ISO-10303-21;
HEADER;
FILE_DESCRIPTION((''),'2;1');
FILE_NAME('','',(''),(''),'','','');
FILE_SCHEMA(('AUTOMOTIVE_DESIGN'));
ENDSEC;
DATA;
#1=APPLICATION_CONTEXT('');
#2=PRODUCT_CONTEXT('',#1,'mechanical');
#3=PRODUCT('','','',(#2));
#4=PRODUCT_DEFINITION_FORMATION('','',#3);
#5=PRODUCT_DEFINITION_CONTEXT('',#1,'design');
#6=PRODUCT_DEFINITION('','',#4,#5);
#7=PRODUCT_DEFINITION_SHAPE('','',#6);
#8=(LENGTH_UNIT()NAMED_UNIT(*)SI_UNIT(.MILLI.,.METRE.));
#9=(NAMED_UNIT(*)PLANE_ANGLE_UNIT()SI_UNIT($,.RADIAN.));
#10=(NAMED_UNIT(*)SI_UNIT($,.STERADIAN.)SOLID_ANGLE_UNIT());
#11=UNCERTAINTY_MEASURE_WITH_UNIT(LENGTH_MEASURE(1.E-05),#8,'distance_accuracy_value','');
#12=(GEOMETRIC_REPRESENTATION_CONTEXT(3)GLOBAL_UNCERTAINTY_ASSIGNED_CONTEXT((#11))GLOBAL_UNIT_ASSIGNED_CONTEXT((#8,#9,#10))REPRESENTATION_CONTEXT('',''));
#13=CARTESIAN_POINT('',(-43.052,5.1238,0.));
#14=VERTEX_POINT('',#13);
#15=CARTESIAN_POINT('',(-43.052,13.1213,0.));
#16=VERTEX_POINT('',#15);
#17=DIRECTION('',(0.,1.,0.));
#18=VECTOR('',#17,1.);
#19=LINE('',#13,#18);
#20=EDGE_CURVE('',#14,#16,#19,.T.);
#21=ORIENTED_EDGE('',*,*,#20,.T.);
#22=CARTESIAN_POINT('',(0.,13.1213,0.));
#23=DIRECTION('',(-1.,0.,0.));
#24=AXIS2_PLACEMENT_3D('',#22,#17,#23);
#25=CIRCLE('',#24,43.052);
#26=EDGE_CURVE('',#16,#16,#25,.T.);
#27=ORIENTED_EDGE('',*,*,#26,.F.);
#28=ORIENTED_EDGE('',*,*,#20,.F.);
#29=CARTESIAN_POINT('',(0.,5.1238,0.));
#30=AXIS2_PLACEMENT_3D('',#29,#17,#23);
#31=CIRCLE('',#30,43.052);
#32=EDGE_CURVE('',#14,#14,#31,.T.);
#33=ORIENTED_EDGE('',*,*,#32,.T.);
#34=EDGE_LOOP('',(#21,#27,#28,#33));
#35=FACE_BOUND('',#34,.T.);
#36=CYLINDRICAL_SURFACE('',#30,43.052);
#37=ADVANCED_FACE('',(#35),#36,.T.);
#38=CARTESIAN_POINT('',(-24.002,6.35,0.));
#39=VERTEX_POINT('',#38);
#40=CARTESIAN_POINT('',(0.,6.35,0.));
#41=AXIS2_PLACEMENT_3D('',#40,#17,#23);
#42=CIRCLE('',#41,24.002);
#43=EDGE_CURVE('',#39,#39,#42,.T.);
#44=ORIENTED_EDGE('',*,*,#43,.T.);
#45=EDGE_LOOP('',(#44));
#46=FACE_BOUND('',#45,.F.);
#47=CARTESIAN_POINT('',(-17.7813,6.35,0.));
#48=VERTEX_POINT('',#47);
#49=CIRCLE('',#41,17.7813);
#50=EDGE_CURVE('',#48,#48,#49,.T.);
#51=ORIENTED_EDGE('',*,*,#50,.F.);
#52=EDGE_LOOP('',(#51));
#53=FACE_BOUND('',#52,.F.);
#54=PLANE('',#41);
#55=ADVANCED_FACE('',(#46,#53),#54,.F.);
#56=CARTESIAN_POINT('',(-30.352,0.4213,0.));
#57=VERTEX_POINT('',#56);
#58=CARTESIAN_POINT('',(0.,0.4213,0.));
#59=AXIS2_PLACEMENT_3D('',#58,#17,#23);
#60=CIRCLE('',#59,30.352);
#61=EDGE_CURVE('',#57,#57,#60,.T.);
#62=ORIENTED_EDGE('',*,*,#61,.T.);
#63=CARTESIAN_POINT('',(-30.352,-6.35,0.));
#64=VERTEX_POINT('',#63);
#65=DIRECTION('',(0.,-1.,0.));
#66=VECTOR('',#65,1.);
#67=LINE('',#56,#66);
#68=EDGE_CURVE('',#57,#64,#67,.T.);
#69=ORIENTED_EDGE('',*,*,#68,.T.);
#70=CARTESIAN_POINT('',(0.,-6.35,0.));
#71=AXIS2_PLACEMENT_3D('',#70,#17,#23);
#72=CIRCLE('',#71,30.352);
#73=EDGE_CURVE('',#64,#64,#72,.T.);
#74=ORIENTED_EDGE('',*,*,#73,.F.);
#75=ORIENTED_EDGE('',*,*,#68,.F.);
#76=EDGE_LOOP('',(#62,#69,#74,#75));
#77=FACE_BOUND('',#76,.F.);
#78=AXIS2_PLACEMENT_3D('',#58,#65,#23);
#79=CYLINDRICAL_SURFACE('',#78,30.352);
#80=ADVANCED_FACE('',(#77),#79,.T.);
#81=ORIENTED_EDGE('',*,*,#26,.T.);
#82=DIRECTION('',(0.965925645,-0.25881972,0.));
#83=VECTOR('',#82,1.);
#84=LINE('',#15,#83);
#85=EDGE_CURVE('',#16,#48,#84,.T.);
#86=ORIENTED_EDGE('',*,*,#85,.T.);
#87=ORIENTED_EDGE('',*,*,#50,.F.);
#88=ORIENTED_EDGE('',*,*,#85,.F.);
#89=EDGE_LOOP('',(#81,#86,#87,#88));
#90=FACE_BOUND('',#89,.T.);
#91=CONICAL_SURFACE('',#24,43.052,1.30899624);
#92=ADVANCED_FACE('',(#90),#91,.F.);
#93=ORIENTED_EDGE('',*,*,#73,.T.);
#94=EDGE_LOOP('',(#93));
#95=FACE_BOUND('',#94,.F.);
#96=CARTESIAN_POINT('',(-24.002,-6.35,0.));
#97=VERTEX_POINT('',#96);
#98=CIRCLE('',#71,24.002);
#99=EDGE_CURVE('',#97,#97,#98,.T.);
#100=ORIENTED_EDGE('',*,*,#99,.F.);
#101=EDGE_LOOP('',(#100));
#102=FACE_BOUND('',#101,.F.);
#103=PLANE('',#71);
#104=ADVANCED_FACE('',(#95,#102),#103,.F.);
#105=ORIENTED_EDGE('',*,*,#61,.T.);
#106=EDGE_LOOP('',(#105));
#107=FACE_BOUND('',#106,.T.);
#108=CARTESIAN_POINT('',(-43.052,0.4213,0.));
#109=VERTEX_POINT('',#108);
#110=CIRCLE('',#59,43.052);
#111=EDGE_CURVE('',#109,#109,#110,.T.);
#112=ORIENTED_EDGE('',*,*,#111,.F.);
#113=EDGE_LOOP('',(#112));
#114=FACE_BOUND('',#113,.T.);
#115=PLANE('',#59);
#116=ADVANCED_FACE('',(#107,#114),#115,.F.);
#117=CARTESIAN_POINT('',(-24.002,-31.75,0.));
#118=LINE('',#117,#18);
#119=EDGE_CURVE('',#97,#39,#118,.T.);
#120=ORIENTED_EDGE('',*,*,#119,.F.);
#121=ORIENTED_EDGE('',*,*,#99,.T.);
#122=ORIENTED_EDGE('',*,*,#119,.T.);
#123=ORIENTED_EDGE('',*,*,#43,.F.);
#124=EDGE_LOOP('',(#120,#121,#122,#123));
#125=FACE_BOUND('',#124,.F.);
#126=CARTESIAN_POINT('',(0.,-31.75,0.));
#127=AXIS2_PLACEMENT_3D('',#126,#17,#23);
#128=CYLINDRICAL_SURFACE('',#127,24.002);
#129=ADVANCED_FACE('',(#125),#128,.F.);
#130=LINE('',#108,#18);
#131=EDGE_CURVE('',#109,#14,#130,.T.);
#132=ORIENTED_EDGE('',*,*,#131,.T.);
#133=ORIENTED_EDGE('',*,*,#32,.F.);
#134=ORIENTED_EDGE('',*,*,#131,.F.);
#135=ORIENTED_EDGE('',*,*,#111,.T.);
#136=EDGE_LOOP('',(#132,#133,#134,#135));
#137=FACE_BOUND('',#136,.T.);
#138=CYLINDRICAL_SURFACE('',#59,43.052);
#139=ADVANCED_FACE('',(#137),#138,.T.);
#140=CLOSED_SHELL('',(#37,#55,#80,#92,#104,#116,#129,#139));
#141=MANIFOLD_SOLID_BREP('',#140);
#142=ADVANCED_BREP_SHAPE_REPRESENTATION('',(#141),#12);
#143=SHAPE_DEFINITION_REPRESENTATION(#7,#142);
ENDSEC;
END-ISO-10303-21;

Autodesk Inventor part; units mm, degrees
ref_plane "YZ Plane" through (0, 0, 0) normal (1, 0, 0) x (0, 1, 0)
ref_plane "XZ Plane" through (0, 0, 0) normal (0, 1, 0) x (-1, 0, 0)
ref_plane "XY Plane" through (0, 0, 0) normal (0, 0, 1) x (1, 0, 0)
sketch "Sketch1" plane through (0, 0, 0) normal (0, 0, 1) x (1, 0, 0)
  line L0 (-24.002, 6.35) -> (-17.7813, 6.35)
  line L1 (-43.052, 13.1213) -> (-5.5282, 3.0668)
  line L2 (-3.4725, -1.3418) -> (-39.877, -79.4117)
  line L3 (-17.652, -31.75) -> (-24.002, -31.75)
  line L4 (-24.002, -31.75) -> (-24.002, 6.35)
  arc A0 (-3.4725, -1.3418) -> (-5.5282, 3.0668) centre (-6.35, 0) ccw
  line L5 (-30.352, 0.4213) -> (-30.352, -52.1764)
  line L6 (-30.352, -52.1764) -> (-27.177, -52.1764)
  line L7 (-30.352, 0.4213) -> (-43.052, 0.4213)
  line L8 (-43.052, 0.4213) -> (-43.052, 5.1238)
  line L9 (-43.052, 5.1238) -> (-43.052, 13.1213)
  line L10 (-43.052, 0.4213) -> (-43.052, -5.9287)
  line L11 (-43.052, -5.9287) -> (-36.702, -5.9287)
  line L12 (-36.702, -5.9287) -> (-36.702, -64.1466)
  line L13 (-36.702, -64.1466) -> (-32.7588, -64.1466)
  line L14 (-39.877, -5.9287) -> (-39.877, -9.1037)
  line L15 (-39.877, -9.1037) -> (-43.052, -9.1037)
  line L16 (-43.052, -9.1037) -> (-43.052, -21.8037)
  line L17 (-43.052, -21.8037) -> (-36.702, -21.8037)
  line L18 (-43.052, -51.4466) -> (-43.052, -79.4117)
  line L19 (-43.052, -51.4466) -> (-36.702, -51.4466)
  line L20 (-43.052, -79.4117) -> (-39.877, -79.4117)
  line L21 (0, -97.9183) -> (0, 31.6279) projected
  line L22 (-30.352, -6.35) -> (-24.002, -6.35)
  point P0 (0, 0)
  dimension "d0" = 6.35
  dimension "d1" = 25
  dimension "d2" = 15
  dimension "d4" = 6.35
  dimension "d5" = 38.1
  dimension "d6" = 31.75
  dimension "d7" = 6.35
  dimension "d11" = 6.35
  dimension "d13" = 12.7
  dimension "d15" = 6.35
  dimension "d16" = 6.35
  dimension "d18" = 3.175
  dimension "d19" = 12.7
  dimension "d20" = 3.175
  dimension "d21" = 6.35
  dimension "d22" = 3.175
  dimension "d23" = 3.175
  dimension "d24" = 6.35
  dimension "d25" = 12.7
  dimension "d26" = 58.2179
  dimension "d27" = 12.7
  dimension "d29" = 12.7
revolve "Revolution2" add sketch "Sketch1" angle 360 about axis through (0, -10, 0) along (0, 1, 0) contours L4 L22 L5 L7 L8 L9 L1 L0
properties part number "phenolic_cap" material "Phenolic Resin"
